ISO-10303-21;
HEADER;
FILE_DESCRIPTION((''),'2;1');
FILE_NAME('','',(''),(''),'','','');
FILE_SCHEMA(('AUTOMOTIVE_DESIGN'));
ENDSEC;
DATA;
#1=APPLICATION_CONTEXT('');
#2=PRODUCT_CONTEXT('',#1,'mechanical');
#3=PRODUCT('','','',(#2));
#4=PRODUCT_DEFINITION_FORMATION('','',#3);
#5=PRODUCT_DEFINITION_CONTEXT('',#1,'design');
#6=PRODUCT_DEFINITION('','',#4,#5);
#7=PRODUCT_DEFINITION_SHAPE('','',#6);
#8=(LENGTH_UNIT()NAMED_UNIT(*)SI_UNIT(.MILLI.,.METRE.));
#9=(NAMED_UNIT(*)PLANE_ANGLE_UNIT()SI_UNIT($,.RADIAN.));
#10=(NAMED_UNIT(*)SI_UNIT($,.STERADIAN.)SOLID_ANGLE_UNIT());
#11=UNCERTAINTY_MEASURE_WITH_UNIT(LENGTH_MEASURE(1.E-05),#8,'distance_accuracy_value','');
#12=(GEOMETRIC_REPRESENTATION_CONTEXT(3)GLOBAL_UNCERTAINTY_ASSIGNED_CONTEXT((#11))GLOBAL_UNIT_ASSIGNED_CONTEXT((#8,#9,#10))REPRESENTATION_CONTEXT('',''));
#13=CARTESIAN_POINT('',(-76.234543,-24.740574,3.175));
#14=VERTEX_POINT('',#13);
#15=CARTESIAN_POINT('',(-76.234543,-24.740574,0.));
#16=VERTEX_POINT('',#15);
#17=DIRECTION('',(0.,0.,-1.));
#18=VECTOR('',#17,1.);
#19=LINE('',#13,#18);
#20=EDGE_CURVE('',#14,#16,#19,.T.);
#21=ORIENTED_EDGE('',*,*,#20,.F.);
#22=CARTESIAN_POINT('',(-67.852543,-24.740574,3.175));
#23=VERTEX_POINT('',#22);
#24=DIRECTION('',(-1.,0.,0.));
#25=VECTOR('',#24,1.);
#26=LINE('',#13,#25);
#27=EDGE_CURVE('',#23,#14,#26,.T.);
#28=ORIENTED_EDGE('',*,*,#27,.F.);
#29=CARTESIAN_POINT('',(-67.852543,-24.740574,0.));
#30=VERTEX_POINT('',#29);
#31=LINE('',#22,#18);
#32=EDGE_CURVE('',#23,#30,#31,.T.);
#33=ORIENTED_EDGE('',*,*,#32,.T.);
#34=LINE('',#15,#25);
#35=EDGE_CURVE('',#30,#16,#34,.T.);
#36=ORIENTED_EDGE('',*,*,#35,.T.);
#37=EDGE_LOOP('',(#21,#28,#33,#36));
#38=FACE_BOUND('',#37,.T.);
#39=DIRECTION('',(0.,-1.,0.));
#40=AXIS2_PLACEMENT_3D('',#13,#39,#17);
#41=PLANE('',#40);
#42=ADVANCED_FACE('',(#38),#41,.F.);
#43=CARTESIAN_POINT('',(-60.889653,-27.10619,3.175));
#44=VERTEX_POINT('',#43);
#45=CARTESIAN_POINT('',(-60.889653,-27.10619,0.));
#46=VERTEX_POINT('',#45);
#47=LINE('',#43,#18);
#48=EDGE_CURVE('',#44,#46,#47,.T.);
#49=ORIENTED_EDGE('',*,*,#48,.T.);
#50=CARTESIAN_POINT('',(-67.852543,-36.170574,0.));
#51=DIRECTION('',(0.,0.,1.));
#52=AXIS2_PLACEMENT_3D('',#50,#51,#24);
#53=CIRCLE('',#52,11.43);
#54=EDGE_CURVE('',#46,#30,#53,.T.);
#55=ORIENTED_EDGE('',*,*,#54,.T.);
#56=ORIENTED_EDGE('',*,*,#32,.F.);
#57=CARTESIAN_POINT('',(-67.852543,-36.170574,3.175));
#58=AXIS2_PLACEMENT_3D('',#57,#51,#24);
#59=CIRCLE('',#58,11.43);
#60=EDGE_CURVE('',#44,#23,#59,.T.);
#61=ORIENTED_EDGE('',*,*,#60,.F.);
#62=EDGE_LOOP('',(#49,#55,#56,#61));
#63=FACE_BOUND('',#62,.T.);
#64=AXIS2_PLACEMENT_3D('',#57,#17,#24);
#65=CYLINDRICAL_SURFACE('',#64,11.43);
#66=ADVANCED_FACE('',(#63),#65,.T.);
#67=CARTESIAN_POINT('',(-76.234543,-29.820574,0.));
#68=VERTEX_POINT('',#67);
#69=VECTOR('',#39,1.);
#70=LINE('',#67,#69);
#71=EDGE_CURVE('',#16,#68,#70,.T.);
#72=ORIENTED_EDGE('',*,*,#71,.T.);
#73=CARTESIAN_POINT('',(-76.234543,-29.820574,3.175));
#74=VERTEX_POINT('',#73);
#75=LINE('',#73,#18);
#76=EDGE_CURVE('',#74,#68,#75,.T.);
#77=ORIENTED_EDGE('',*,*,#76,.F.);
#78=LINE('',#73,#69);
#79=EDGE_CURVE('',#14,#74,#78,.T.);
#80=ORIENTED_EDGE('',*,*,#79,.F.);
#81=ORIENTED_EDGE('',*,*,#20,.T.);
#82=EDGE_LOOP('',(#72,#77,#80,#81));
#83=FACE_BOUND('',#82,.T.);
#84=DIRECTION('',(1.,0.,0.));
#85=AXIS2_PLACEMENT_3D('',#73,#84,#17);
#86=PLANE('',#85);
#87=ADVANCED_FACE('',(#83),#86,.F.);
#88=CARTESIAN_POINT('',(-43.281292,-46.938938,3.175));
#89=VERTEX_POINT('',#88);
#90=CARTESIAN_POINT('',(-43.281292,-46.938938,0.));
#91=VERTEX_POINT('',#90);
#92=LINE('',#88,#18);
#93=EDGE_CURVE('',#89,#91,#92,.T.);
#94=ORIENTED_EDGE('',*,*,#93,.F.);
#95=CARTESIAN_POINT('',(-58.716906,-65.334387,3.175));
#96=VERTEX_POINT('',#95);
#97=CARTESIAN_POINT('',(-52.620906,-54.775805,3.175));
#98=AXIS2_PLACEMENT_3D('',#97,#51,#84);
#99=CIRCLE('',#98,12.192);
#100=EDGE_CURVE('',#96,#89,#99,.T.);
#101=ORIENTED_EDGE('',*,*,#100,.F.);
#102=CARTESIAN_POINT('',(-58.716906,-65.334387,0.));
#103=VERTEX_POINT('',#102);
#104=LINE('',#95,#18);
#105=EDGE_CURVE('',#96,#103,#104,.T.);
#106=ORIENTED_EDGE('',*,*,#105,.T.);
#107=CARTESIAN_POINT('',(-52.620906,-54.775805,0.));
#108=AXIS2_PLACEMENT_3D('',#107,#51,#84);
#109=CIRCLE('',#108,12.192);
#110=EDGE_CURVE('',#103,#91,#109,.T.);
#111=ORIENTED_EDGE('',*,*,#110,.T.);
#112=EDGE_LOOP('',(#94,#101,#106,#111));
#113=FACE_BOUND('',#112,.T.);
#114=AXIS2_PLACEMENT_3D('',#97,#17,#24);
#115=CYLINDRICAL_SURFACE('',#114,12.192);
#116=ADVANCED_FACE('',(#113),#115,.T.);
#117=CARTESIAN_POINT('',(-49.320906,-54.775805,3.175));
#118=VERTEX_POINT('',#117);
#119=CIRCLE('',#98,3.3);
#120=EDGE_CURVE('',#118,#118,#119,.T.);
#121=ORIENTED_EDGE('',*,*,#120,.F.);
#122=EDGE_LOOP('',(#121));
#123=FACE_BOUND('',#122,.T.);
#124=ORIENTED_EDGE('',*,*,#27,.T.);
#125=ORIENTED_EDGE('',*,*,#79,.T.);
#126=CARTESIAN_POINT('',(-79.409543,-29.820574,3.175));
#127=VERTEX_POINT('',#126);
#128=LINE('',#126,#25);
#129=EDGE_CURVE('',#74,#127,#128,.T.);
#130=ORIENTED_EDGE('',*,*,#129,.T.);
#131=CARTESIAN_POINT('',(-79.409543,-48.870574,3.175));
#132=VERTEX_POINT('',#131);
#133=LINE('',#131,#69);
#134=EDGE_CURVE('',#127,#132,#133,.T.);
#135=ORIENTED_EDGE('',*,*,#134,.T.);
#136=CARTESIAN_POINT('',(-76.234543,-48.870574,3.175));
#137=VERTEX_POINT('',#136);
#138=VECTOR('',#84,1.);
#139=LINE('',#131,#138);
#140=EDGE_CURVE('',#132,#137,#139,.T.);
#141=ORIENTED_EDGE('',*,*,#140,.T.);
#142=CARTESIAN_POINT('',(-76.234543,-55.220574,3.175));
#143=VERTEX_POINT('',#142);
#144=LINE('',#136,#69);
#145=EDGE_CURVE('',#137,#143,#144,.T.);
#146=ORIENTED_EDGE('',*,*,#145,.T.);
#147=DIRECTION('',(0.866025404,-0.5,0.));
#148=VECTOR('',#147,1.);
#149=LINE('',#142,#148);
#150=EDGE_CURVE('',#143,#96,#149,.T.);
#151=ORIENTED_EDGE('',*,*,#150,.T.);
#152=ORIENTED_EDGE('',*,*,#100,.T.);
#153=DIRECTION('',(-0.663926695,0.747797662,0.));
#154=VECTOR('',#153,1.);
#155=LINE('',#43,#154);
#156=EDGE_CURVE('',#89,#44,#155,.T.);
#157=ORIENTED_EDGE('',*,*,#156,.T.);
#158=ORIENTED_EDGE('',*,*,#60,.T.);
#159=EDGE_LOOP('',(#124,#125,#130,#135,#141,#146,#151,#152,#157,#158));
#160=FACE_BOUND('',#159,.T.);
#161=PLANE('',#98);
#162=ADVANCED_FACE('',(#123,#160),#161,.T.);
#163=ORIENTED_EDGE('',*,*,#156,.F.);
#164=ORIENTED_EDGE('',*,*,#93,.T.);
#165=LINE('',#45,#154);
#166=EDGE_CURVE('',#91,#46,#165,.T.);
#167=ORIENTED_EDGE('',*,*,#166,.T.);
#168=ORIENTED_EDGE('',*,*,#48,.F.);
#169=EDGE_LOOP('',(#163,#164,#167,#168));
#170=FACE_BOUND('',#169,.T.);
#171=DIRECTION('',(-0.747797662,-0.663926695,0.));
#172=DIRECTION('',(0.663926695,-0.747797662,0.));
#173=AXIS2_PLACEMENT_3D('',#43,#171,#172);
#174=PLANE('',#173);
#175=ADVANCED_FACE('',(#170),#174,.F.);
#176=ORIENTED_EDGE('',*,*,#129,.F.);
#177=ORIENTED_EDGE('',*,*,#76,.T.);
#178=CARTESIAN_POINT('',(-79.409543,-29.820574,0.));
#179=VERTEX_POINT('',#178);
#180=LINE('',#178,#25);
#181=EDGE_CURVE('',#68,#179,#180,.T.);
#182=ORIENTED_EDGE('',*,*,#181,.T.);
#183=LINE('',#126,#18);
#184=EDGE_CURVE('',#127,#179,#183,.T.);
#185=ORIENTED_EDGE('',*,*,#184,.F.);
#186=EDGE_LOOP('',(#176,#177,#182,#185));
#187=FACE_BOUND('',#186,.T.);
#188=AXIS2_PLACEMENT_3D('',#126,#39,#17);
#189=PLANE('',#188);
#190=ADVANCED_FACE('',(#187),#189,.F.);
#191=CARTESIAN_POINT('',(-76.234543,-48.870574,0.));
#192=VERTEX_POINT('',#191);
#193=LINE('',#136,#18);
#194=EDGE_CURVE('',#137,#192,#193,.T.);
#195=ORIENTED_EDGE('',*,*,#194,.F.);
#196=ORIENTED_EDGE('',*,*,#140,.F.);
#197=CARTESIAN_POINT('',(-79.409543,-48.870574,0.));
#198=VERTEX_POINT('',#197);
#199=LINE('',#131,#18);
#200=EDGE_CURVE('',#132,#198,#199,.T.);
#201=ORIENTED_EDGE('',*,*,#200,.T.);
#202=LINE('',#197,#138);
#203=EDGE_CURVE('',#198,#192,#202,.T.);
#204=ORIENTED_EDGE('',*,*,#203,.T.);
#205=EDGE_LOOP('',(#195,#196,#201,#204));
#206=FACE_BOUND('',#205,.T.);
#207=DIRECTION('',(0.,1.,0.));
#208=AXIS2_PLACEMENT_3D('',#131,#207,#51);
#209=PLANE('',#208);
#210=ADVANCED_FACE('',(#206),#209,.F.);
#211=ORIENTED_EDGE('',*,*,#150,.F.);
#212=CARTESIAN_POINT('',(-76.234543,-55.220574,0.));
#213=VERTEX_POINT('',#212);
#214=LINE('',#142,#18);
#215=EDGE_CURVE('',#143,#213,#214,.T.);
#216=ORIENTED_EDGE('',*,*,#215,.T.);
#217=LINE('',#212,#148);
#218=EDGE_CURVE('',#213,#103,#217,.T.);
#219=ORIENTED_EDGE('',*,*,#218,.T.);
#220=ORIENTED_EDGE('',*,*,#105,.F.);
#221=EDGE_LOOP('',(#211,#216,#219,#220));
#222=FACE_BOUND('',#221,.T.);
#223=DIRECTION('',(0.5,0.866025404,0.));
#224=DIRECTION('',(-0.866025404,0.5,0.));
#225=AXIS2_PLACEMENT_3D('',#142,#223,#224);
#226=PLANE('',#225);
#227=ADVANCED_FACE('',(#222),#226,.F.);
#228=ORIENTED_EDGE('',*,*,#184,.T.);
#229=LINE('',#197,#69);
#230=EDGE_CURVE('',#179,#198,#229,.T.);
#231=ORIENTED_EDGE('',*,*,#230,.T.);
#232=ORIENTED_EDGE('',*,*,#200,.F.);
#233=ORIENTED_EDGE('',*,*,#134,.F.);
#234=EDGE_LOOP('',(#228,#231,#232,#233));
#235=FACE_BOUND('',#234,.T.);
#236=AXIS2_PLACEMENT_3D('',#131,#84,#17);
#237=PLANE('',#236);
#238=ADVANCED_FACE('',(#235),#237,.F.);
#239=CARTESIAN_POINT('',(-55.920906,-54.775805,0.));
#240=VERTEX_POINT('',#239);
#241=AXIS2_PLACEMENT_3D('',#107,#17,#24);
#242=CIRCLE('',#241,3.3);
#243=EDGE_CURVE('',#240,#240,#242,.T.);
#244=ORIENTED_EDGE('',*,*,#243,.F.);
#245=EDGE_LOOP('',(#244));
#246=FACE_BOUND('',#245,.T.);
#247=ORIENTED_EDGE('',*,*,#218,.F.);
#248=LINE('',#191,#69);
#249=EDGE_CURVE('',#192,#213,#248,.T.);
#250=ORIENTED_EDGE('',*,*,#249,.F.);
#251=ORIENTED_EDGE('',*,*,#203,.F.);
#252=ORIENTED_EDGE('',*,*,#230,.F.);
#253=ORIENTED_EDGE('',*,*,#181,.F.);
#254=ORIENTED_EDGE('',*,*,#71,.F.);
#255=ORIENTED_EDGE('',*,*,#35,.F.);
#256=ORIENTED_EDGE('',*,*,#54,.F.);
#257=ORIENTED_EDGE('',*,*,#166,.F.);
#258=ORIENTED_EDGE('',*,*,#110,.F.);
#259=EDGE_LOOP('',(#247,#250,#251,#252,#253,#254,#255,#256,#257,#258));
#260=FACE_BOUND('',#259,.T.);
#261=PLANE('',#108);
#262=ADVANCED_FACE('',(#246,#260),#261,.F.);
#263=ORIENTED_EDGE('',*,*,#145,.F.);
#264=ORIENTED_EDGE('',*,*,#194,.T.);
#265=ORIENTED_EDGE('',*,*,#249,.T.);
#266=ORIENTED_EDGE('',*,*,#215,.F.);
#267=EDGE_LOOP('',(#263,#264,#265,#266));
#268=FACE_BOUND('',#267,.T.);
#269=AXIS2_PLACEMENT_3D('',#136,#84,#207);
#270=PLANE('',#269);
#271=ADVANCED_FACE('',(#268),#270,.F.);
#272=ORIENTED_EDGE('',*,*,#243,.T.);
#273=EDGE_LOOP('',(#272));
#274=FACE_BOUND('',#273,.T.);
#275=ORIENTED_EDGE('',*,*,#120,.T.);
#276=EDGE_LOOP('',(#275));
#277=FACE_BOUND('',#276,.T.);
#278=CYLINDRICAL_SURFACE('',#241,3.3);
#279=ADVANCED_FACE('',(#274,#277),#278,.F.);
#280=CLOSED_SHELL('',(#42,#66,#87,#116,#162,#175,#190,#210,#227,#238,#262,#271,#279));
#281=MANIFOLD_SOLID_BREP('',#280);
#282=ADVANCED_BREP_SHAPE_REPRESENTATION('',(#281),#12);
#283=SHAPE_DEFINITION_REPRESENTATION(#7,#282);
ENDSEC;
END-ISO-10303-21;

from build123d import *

# Parameters (mm, degrees)
BOSS_EXTRUDE1_DEPTH      = 3.175
M6_CLEARANCE_HOLE1_D     = 6.6
M6_CLEARANCE_HOLE1_DEPTH = 3.302
M6_CLEARANCE_HOLE1_TIP   = 1.982840043


with BuildPart() as part:
    # Sketch1 → Boss-Extrude1 (new body)
    with BuildSketch(Plane.XY):
        with BuildLine():
            Line((-79.409543338, -48.870574021), (-79.409543338, -29.820574021))
            Line((-79.409543338, -29.820574021), (-76.234543338, -29.820574021))
            Line((-76.234543338, -29.820574021), (-76.234543338, -24.740574021))
            Line((-76.234543338, -24.740574021), (-67.852543338, -24.740574021))
            ThreePointArc((-67.852543338, -24.740574021), (-64.175656813, -25.348124877), (-60.889653149, -27.10618986))
            Line((-60.889653149, -27.10618986), (-43.281292183, -46.938938374))
            ThreePointArc((-43.281292183, -46.938938374), (-43.281292183, -62.612671449), (-58.716906034, -65.334386634))
            Line((-58.716906034, -65.334386634), (-76.234543338, -55.220574021))
            Line((-76.234543338, -55.220574021), (-76.234543338, -48.870574021))
            Line((-76.234543338, -48.870574021), (-79.409543338, -48.870574021))
        make_face()
    extrude(amount=BOSS_EXTRUDE1_DEPTH)

    # M6 Clearance Hole1
    with Locations(Plane(origin=(0, 0, 0), x_dir=(-1, 0, 0), z_dir=(0, 0, -1))):
        with Locations((52.620906034, -54.775804912)):
            Hole(M6_CLEARANCE_HOLE1_D / 2, depth=M6_CLEARANCE_HOLE1_DEPTH)
            with Locations((0, 0, -(M6_CLEARANCE_HOLE1_DEPTH + M6_CLEARANCE_HOLE1_TIP / 2))):  # 118° drill point
                Cone(0, M6_CLEARANCE_HOLE1_D / 2, M6_CLEARANCE_HOLE1_TIP, mode=Mode.SUBTRACT)


solid = part.part
